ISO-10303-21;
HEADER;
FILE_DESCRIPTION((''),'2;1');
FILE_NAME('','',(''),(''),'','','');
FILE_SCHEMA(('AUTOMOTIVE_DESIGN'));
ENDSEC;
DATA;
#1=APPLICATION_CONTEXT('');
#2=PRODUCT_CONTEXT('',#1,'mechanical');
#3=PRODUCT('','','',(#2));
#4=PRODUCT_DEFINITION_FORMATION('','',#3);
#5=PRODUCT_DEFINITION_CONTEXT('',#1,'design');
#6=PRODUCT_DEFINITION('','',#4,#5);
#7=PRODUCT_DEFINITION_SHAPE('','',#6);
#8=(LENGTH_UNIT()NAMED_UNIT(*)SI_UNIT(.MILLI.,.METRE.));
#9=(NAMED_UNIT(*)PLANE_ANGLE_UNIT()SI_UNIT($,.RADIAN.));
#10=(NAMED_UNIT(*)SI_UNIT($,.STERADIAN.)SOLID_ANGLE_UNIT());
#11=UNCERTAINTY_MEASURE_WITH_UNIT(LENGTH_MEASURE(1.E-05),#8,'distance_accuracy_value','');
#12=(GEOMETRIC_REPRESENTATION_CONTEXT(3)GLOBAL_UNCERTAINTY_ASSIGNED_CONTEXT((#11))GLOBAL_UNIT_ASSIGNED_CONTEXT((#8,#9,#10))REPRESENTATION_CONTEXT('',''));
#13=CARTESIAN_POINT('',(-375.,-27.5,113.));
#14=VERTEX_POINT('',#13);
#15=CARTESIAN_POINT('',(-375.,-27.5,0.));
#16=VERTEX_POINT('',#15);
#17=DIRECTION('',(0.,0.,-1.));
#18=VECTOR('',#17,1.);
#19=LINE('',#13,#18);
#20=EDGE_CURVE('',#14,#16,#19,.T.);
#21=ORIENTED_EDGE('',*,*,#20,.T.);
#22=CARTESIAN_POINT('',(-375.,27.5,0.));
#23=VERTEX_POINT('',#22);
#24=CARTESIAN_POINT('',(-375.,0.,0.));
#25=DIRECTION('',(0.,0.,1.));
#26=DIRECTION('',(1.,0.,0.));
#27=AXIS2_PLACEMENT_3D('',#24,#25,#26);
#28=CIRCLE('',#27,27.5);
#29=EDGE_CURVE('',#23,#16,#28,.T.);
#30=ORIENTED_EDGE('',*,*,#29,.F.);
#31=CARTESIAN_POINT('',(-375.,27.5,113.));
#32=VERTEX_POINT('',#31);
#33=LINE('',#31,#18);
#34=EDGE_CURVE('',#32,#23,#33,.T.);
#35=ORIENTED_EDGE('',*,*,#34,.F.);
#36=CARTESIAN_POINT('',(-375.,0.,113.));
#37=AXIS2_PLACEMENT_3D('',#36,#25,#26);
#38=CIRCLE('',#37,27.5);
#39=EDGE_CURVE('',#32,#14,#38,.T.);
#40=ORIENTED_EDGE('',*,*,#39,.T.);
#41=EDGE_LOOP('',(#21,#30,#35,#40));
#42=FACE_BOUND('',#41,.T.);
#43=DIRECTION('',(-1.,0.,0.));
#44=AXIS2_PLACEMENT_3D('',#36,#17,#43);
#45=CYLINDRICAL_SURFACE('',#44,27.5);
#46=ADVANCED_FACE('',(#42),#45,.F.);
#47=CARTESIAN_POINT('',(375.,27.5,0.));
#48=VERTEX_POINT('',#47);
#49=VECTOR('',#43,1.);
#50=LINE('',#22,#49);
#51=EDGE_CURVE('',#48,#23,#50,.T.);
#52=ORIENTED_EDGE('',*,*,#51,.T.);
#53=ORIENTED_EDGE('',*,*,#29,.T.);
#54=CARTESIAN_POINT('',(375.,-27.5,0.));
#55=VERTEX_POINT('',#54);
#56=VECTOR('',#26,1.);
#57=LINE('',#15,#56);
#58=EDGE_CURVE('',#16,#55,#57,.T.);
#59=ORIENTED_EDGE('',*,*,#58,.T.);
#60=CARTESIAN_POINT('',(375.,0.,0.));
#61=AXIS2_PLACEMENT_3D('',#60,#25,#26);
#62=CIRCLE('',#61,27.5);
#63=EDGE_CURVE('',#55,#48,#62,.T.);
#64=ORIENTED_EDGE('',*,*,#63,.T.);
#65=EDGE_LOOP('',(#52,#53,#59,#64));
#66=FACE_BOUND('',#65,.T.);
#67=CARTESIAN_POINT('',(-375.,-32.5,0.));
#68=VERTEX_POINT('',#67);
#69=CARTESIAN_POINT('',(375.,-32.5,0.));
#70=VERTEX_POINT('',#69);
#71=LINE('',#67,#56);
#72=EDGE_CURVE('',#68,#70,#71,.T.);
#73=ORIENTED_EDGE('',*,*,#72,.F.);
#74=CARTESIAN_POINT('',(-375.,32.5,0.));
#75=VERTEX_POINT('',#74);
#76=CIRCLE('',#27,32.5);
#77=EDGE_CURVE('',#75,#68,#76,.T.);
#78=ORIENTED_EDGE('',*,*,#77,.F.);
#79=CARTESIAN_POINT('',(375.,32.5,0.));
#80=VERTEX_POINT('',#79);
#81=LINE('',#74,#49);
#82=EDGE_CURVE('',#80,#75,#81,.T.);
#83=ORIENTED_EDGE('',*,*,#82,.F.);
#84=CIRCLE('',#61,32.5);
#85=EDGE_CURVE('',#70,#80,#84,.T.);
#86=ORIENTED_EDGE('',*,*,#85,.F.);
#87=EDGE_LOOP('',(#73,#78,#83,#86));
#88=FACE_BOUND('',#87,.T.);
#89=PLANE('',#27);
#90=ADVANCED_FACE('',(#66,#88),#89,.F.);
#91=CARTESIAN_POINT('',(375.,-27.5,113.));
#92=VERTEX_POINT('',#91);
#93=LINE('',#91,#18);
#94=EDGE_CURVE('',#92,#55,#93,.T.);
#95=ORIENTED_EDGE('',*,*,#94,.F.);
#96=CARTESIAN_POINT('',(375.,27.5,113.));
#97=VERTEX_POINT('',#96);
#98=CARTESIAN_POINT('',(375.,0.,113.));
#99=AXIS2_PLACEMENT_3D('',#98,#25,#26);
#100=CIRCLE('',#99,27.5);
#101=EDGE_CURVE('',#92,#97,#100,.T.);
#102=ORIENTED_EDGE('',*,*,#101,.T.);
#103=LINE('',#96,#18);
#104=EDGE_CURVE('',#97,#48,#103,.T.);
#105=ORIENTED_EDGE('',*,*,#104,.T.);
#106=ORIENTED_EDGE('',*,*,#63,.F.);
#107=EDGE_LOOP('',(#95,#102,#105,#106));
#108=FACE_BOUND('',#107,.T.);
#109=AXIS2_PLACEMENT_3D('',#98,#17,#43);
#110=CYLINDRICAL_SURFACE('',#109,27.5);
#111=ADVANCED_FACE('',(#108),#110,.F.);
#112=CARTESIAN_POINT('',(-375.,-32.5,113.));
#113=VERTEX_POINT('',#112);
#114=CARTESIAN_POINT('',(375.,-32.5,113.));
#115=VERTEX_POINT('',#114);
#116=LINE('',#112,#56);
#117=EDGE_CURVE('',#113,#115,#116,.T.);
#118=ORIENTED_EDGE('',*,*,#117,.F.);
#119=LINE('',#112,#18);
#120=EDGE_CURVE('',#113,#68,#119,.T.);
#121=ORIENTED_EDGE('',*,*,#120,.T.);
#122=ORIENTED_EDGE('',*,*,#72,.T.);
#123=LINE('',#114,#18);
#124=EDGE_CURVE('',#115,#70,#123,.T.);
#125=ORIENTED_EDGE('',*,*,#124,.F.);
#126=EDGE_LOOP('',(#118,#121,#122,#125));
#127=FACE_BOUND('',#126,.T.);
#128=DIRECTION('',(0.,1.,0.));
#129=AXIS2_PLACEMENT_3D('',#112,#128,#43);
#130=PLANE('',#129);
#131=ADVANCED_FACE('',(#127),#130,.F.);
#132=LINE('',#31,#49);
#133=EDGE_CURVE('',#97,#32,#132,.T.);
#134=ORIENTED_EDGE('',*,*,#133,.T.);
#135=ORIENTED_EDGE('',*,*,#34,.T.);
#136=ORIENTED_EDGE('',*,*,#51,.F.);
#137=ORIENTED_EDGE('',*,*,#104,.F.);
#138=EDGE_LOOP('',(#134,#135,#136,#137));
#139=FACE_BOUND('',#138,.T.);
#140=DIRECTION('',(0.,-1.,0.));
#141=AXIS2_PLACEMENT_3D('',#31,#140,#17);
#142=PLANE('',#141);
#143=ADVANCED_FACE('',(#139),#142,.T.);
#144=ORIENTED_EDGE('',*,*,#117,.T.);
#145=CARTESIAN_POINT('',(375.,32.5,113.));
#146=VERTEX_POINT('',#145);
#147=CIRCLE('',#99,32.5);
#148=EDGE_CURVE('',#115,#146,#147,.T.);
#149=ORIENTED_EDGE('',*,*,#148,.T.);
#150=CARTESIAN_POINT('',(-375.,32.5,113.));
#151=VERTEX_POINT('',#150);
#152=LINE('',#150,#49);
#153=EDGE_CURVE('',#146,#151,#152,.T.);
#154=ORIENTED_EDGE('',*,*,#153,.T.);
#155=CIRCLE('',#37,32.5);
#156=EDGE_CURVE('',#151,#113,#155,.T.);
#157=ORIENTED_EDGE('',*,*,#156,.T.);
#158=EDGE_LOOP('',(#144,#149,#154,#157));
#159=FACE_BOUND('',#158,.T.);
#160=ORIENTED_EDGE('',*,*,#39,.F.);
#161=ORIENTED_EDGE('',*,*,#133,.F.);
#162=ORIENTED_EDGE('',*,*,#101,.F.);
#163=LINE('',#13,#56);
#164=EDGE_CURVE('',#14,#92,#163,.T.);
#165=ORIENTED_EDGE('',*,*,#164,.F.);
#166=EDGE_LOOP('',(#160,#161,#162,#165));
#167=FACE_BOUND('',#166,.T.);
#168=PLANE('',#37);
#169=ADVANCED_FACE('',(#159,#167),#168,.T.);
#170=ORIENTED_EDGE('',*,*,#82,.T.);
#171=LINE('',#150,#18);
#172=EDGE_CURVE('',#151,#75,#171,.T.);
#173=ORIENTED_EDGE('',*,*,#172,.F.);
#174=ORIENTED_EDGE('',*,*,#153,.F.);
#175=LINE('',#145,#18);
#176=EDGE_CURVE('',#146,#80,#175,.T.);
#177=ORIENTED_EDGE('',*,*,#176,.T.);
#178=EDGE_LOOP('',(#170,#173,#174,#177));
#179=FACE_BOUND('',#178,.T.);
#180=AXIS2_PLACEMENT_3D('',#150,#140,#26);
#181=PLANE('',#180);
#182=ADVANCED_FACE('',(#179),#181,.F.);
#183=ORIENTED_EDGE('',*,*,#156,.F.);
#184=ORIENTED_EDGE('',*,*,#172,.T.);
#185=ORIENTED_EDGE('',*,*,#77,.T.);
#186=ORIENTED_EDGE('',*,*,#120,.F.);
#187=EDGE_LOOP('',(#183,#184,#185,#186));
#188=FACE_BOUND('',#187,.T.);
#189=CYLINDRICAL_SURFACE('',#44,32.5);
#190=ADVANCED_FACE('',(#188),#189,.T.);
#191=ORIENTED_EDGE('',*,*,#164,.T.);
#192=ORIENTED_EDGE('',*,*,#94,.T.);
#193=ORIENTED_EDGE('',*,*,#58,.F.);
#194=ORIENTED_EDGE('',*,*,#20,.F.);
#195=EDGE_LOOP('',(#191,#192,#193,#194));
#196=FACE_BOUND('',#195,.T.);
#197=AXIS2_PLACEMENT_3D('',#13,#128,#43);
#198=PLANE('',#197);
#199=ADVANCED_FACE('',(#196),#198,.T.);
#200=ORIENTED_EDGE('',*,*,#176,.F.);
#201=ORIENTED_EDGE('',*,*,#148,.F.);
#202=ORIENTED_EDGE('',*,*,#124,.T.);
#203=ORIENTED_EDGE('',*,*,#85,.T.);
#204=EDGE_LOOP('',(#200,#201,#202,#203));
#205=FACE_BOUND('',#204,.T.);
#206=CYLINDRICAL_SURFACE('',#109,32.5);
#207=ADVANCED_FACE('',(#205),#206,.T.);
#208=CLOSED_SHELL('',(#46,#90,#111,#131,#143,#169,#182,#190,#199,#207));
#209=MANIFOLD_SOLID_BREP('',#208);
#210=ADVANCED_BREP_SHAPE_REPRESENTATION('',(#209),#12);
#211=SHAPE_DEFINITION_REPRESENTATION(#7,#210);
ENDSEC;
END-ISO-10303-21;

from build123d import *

# Parameters (mm, degrees)
BOSS_EXTRU_1_DEPTH = 113


with BuildPart() as part:
    # Esquisse1 → Boss.-Extru.1 (new body)
    with BuildSketch(Plane.XY):
        with BuildLine():
            Line((-375, 32.5), (375, 32.5))
            ThreePointArc((375, 32.5), (407.5, 0), (375, -32.5))
            Line((375, -32.5), (-375, -32.5))
            ThreePointArc((-375, -32.5), (-407.5, 0), (-375, 32.5))
        make_face()
        with BuildLine():
            Line((-375, 27.5), (375, 27.5))
            ThreePointArc((375, 27.5), (402.5, 0), (375, -27.5))
            Line((375, -27.5), (-375, -27.5))
            ThreePointArc((-375, -27.5), (-402.5, 0), (-375, 27.5))
        make_face(mode=Mode.SUBTRACT)
    extrude(amount=BOSS_EXTRU_1_DEPTH)


solid = part.part
